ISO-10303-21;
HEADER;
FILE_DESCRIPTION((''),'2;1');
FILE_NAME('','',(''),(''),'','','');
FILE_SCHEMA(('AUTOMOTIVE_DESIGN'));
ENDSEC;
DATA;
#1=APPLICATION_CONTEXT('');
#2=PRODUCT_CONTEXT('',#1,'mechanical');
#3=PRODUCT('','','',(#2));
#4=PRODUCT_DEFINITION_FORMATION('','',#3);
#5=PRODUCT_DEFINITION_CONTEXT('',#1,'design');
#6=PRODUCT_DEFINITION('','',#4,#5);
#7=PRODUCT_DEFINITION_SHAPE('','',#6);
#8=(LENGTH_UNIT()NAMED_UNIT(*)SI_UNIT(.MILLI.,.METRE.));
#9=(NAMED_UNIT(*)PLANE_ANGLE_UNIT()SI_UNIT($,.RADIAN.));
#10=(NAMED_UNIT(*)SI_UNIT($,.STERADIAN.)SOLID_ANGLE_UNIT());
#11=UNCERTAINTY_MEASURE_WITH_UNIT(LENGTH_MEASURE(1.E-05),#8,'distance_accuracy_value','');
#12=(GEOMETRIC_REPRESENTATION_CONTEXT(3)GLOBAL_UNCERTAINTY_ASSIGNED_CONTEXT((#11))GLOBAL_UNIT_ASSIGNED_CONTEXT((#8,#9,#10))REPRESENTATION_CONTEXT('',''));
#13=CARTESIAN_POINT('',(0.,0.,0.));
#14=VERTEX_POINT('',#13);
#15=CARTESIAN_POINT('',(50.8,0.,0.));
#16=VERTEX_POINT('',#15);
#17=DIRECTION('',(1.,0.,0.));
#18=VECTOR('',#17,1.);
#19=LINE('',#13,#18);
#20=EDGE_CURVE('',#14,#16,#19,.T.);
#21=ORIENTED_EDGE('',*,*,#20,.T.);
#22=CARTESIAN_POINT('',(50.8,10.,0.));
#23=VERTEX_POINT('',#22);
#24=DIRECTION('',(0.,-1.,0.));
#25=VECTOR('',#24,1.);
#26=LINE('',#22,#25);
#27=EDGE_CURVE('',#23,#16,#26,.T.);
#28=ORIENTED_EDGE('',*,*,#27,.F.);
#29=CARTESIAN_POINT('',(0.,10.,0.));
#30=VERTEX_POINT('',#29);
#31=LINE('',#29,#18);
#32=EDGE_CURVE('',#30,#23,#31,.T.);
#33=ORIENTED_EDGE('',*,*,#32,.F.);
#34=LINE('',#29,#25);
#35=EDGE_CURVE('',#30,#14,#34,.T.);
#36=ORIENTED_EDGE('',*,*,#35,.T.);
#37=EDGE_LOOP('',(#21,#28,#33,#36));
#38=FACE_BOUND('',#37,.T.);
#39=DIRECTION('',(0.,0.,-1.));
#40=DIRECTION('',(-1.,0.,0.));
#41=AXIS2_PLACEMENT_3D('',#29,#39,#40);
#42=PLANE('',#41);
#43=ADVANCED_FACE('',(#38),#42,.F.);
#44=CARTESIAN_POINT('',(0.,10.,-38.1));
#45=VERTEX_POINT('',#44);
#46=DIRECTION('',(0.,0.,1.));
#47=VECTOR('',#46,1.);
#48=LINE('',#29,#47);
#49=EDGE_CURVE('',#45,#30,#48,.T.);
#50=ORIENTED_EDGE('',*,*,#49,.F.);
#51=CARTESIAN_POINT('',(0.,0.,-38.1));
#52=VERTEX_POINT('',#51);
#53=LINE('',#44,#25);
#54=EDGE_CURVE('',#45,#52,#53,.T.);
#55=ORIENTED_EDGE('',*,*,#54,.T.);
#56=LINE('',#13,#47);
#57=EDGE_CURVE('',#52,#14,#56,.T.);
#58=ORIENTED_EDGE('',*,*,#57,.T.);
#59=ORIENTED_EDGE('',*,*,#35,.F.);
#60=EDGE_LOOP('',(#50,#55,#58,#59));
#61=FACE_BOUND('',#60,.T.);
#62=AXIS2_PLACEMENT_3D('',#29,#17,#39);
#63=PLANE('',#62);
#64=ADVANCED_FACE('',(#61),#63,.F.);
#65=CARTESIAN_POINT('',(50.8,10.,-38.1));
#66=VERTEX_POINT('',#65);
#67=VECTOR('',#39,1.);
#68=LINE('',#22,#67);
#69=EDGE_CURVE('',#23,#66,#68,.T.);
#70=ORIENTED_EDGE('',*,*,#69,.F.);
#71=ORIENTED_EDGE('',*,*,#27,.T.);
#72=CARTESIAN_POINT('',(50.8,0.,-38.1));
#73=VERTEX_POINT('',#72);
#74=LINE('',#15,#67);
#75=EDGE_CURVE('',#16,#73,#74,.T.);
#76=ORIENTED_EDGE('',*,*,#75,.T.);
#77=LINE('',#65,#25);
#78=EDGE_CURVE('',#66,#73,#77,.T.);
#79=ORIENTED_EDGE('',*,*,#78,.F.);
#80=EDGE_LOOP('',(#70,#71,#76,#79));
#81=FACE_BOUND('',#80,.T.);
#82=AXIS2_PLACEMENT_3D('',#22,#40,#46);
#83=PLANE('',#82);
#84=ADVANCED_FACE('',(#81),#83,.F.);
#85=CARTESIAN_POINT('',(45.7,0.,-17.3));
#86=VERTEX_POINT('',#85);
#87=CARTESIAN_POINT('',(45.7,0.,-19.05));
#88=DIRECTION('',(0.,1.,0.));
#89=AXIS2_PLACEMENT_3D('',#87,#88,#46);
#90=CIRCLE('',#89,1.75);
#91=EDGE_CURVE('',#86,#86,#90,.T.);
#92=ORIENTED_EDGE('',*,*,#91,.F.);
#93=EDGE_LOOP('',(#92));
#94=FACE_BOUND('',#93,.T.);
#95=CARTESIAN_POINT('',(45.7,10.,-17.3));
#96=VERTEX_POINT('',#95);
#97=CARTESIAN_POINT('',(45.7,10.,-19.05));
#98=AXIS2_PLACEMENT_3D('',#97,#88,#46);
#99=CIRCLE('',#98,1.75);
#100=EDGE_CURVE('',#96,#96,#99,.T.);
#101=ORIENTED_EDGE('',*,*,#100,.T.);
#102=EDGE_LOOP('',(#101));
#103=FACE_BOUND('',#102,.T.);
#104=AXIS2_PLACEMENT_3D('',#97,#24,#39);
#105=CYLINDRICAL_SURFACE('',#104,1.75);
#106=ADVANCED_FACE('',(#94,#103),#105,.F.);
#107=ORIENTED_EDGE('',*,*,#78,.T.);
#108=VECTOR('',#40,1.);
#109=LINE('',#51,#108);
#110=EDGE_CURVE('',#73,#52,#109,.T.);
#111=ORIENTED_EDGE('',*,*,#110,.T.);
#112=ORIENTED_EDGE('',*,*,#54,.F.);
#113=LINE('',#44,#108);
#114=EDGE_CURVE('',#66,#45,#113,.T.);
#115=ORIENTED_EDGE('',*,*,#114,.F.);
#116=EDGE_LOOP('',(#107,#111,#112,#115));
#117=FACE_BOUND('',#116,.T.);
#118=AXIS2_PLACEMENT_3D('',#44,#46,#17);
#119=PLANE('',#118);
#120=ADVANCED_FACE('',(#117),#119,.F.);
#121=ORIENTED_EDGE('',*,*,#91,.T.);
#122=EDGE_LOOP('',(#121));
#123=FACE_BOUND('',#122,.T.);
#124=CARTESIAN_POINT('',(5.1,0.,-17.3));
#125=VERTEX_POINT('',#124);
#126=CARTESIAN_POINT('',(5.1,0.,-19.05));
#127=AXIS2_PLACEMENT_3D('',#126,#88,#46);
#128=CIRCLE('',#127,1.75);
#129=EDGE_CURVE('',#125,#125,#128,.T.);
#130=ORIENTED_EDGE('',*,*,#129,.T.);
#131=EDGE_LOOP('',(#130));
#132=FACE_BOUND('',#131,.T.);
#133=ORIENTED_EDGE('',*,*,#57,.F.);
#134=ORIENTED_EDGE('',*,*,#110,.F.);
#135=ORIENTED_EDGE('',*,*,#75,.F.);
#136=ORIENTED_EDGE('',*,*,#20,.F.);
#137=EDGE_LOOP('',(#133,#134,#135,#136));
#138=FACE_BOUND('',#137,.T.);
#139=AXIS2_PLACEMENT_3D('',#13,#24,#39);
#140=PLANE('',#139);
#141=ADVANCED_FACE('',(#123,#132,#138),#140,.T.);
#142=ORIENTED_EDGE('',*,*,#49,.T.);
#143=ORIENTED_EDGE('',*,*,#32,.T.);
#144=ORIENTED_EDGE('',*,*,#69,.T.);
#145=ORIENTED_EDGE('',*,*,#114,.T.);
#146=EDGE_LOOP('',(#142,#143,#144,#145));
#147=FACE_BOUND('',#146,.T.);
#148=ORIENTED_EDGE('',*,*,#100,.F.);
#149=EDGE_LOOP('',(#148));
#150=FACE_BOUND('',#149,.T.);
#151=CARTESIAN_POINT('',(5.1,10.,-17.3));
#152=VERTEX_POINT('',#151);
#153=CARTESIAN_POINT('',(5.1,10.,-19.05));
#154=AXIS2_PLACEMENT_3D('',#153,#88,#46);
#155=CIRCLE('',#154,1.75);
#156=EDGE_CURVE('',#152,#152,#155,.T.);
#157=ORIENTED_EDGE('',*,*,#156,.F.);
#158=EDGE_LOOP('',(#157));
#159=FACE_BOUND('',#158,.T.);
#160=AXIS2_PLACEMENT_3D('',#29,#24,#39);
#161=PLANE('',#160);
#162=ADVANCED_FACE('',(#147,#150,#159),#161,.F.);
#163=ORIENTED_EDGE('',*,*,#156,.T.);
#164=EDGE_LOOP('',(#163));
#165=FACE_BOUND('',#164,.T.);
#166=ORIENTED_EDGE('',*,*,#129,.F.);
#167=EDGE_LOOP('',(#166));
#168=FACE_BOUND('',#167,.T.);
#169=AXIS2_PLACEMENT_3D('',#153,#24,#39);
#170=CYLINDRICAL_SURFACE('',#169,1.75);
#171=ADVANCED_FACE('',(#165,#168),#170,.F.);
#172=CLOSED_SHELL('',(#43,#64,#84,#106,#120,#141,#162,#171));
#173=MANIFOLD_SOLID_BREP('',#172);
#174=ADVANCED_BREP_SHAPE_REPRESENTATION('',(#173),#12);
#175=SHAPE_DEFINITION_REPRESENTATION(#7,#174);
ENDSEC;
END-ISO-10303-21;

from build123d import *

# Parameters (mm, degrees)
SKETCH1_W           = 50.8
SKETCH1_H           = 38.1
SKETCH1_R           = 1.75
BOSS_EXTRUDE1_DEPTH = 10


with BuildPart() as part:
    # Sketch1 → Boss-Extrude1 (new body)
    with BuildSketch(Plane(origin=(0, 0, 0), x_dir=(1, 0, 0), z_dir=(0, 1, 0))):
        with Locations((25.4, 19.05)):
            Rectangle(SKETCH1_W, SKETCH1_H)
        with Locations(Location((5.1, 19.05, 0), (0, 0, 270))):
            Circle(SKETCH1_R, mode=Mode.SUBTRACT)
        with Locations(Location((45.7, 19.05, 0), (0, 0, 270))):
            Circle(SKETCH1_R, mode=Mode.SUBTRACT)
    extrude(amount=BOSS_EXTRUDE1_DEPTH)


solid = part.part
